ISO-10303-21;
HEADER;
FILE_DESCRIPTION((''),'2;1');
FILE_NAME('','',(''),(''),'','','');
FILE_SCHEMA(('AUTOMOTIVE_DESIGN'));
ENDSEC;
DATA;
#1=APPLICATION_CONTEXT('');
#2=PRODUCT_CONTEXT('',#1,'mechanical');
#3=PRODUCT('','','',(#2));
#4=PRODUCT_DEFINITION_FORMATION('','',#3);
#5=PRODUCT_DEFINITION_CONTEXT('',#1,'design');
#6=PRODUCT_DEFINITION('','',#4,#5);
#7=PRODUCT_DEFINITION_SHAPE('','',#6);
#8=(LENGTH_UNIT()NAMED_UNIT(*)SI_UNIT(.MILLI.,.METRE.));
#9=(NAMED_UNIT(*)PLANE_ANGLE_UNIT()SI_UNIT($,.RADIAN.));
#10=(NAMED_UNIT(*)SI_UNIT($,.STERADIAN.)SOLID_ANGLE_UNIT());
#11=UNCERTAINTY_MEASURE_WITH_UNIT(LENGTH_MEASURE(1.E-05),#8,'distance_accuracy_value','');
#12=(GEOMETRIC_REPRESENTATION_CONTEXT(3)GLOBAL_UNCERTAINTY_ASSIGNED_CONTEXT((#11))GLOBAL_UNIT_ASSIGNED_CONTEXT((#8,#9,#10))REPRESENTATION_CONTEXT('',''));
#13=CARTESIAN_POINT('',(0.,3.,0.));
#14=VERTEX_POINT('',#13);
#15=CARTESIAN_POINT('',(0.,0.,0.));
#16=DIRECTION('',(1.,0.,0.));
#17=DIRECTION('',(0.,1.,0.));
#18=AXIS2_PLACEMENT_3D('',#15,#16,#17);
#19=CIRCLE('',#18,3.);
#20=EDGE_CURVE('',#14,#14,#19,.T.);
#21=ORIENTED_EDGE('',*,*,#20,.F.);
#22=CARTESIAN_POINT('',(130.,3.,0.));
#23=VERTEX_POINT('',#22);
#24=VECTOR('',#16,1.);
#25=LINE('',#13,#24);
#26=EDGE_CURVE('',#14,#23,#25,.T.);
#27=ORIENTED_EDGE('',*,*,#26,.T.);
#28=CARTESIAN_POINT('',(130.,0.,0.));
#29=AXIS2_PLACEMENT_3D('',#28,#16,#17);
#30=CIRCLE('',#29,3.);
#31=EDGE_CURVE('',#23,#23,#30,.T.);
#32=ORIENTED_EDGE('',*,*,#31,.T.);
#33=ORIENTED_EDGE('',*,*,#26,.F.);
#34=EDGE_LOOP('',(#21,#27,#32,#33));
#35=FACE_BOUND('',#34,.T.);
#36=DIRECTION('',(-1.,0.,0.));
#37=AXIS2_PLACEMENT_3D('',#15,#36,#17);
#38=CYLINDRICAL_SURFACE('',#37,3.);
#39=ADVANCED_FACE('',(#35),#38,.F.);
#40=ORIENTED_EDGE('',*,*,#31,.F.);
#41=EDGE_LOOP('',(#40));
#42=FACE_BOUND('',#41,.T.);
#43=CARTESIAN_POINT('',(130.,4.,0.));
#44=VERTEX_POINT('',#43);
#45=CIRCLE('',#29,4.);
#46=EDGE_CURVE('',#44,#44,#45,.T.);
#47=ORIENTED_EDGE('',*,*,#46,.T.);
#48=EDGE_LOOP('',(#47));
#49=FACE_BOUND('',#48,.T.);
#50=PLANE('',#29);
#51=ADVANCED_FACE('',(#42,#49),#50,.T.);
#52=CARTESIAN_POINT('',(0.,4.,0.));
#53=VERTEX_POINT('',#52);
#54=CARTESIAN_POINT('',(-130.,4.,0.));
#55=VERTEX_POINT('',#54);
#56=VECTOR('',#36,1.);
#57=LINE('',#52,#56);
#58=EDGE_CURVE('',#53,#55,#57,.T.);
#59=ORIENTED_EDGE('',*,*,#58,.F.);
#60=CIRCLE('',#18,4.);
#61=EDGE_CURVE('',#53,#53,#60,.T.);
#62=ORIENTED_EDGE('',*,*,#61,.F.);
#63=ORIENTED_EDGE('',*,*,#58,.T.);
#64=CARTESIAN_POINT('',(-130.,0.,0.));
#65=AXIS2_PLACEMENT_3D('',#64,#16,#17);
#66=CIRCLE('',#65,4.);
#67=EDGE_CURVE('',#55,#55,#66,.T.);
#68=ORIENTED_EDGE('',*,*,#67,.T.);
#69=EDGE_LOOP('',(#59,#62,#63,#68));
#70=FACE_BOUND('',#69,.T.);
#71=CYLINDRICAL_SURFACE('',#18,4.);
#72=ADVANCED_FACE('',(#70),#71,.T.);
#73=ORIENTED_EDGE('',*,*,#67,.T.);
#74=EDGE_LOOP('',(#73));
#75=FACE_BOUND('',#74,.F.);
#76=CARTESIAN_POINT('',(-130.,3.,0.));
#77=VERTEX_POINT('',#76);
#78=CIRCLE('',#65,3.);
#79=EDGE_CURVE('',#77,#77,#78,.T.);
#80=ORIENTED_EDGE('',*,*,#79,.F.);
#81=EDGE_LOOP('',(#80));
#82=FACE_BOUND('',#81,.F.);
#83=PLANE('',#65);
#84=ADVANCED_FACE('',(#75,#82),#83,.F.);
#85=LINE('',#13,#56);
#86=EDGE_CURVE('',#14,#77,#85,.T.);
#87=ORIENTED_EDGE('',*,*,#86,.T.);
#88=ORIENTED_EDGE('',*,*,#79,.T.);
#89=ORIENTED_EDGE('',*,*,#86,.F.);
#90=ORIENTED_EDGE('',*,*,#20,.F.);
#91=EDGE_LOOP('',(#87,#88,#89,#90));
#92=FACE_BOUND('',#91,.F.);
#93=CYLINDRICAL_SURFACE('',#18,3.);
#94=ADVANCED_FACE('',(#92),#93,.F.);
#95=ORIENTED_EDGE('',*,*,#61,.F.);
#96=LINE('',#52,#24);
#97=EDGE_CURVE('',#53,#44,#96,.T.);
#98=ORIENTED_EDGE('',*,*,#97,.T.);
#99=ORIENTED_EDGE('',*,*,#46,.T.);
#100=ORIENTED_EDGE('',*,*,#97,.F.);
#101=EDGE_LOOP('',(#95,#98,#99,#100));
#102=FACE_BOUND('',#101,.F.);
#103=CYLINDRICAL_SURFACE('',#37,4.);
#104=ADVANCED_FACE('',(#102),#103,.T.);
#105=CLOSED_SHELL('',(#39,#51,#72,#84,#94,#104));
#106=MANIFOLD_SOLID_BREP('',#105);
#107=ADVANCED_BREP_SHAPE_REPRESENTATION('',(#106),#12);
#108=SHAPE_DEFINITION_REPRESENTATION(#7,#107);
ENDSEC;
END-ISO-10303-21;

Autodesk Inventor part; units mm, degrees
ref_plane "YZ Plane" through (0, 0, 0) normal (1, 0, 0) x (0, 1, 0)
ref_plane "XZ Plane" through (0, 0, 0) normal (0, 1, 0) x (-1, 0, 0)
ref_plane "XY Plane" through (0, 0, 0) normal (0, 0, 1) x (1, 0, 0)
sketch "Skizze1" plane through (0, 0, 0) normal (1, 0, 0) x (0, 1, 0)
  circle A0 centre (0, 0) radius 3
  circle A1 centre (0, 0) radius 4
  dimension "d0" = 6
  dimension "d1" = 8
extrude "Extrusion1" add sketch "Skizze1" along normal mid plane 260
properties part number "stange2"
